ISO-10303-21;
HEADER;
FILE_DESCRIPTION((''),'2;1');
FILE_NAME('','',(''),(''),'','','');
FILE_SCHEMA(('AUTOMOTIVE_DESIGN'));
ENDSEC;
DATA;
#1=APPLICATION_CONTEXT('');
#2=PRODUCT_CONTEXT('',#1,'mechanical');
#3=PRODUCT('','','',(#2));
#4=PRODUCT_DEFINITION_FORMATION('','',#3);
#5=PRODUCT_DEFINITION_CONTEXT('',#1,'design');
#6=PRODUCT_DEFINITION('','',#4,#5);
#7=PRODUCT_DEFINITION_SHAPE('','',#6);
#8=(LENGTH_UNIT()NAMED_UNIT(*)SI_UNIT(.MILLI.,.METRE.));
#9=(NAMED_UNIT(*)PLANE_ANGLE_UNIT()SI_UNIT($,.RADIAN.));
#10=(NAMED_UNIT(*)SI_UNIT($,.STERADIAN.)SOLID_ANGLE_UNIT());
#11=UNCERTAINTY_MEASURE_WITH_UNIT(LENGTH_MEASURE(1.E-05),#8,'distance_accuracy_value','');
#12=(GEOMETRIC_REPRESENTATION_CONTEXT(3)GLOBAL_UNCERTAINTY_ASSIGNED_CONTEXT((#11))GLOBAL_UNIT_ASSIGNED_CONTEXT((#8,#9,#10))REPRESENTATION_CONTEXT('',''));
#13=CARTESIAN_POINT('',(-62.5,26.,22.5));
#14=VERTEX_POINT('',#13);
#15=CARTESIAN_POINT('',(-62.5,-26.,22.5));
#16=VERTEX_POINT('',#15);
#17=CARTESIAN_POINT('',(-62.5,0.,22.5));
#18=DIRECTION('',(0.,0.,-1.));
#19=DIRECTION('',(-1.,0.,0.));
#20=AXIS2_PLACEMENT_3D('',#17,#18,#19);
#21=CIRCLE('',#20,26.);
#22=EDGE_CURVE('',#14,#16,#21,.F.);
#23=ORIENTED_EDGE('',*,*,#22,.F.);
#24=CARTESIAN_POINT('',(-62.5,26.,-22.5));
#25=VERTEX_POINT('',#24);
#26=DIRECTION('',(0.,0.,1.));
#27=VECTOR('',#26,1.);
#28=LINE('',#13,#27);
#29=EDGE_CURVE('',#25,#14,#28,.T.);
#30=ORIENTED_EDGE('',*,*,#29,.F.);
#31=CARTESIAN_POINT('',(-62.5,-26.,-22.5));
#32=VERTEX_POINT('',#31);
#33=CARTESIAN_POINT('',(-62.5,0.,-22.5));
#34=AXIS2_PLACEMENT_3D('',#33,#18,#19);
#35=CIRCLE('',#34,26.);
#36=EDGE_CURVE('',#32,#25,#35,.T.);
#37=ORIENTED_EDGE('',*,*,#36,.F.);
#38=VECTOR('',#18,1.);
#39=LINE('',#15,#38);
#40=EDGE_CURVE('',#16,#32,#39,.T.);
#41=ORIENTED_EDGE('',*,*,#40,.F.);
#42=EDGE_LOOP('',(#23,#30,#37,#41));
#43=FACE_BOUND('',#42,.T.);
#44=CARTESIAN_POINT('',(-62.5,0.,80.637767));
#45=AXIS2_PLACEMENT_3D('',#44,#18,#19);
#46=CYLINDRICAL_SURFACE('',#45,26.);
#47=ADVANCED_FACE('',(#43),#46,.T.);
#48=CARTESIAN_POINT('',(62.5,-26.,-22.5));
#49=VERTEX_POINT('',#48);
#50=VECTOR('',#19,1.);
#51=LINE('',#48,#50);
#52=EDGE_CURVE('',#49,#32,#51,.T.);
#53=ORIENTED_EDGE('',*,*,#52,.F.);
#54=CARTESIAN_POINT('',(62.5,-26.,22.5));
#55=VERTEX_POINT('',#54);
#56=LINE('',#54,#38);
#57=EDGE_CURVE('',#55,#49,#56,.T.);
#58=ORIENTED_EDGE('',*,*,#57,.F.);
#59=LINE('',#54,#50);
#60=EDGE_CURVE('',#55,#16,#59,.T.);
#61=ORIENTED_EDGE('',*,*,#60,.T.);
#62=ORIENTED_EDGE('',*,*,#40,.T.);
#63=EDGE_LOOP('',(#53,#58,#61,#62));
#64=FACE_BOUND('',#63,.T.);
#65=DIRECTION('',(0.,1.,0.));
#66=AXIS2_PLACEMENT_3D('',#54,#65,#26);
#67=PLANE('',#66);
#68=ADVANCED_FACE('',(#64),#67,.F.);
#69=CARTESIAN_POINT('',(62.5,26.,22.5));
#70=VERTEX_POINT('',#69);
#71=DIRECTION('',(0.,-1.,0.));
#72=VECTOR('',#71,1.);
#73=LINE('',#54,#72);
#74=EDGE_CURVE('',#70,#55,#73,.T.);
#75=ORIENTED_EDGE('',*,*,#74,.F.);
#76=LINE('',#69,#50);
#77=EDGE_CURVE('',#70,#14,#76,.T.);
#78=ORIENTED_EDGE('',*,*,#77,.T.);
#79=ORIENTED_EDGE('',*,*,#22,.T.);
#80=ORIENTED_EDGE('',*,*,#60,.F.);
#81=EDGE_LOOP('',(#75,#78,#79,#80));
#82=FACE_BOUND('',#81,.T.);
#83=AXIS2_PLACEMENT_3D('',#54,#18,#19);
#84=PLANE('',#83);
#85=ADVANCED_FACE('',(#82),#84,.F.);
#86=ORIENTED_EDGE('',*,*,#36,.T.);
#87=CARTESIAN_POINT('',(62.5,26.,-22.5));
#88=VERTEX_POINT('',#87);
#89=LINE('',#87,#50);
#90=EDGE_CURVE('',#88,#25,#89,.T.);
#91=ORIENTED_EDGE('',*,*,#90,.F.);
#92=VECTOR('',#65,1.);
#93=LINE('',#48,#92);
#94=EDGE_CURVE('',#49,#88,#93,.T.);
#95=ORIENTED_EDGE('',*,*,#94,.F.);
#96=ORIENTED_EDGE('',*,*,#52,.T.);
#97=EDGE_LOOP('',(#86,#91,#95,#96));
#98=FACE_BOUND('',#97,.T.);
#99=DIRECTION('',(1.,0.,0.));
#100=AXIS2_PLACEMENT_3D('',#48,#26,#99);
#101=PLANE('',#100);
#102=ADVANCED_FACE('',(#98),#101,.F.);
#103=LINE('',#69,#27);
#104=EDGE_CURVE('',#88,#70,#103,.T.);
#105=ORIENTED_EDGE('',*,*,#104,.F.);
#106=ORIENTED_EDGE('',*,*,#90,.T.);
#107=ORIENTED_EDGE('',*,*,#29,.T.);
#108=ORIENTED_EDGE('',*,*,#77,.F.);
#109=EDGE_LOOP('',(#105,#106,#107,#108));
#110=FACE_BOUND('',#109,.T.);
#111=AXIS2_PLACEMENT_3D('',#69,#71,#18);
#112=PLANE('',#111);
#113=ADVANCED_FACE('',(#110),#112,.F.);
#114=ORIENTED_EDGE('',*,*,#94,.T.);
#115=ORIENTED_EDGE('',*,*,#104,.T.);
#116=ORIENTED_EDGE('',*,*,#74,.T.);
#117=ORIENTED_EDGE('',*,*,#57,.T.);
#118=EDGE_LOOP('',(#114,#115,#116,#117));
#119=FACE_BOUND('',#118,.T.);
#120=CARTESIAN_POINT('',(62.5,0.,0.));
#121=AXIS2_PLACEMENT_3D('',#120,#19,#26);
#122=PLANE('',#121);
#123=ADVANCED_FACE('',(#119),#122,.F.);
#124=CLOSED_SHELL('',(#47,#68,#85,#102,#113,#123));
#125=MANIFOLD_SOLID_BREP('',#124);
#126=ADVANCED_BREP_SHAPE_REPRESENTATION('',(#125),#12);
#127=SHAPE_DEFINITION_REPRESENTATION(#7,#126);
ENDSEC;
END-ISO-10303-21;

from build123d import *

# Parameters (mm, degrees)
SKETCH1_W           = 45
SKETCH1_H           = 52
BOSS_EXTRUDE1_DEPTH = 62.5
BOSS_EXTRUDE3_DEPTH = 45


with BuildPart() as part:
    # Sketch1 → Boss-Extrude1 (new body, symmetric)
    with BuildSketch(Plane(origin=(0, 0, 0), x_dir=(0, 0, -1), z_dir=(1, 0, 0))):
        Rectangle(SKETCH1_W, SKETCH1_H)
    extrude(amount=BOSS_EXTRUDE1_DEPTH, both=True)

    # Sketch3 → Boss-Extrude3 (add)
    with BuildSketch(Plane(origin=(0, 0, -22.5), x_dir=(-1, 0, 0), z_dir=(0, 0, -1))):
        with BuildLine():
            Line((62.5, -26), (62.5, 26))
            ThreePointArc((62.5, 26), (88.5, 0), (62.5, -26))
        make_face()
    extrude(amount=-BOSS_EXTRUDE3_DEPTH)


solid = part.part
